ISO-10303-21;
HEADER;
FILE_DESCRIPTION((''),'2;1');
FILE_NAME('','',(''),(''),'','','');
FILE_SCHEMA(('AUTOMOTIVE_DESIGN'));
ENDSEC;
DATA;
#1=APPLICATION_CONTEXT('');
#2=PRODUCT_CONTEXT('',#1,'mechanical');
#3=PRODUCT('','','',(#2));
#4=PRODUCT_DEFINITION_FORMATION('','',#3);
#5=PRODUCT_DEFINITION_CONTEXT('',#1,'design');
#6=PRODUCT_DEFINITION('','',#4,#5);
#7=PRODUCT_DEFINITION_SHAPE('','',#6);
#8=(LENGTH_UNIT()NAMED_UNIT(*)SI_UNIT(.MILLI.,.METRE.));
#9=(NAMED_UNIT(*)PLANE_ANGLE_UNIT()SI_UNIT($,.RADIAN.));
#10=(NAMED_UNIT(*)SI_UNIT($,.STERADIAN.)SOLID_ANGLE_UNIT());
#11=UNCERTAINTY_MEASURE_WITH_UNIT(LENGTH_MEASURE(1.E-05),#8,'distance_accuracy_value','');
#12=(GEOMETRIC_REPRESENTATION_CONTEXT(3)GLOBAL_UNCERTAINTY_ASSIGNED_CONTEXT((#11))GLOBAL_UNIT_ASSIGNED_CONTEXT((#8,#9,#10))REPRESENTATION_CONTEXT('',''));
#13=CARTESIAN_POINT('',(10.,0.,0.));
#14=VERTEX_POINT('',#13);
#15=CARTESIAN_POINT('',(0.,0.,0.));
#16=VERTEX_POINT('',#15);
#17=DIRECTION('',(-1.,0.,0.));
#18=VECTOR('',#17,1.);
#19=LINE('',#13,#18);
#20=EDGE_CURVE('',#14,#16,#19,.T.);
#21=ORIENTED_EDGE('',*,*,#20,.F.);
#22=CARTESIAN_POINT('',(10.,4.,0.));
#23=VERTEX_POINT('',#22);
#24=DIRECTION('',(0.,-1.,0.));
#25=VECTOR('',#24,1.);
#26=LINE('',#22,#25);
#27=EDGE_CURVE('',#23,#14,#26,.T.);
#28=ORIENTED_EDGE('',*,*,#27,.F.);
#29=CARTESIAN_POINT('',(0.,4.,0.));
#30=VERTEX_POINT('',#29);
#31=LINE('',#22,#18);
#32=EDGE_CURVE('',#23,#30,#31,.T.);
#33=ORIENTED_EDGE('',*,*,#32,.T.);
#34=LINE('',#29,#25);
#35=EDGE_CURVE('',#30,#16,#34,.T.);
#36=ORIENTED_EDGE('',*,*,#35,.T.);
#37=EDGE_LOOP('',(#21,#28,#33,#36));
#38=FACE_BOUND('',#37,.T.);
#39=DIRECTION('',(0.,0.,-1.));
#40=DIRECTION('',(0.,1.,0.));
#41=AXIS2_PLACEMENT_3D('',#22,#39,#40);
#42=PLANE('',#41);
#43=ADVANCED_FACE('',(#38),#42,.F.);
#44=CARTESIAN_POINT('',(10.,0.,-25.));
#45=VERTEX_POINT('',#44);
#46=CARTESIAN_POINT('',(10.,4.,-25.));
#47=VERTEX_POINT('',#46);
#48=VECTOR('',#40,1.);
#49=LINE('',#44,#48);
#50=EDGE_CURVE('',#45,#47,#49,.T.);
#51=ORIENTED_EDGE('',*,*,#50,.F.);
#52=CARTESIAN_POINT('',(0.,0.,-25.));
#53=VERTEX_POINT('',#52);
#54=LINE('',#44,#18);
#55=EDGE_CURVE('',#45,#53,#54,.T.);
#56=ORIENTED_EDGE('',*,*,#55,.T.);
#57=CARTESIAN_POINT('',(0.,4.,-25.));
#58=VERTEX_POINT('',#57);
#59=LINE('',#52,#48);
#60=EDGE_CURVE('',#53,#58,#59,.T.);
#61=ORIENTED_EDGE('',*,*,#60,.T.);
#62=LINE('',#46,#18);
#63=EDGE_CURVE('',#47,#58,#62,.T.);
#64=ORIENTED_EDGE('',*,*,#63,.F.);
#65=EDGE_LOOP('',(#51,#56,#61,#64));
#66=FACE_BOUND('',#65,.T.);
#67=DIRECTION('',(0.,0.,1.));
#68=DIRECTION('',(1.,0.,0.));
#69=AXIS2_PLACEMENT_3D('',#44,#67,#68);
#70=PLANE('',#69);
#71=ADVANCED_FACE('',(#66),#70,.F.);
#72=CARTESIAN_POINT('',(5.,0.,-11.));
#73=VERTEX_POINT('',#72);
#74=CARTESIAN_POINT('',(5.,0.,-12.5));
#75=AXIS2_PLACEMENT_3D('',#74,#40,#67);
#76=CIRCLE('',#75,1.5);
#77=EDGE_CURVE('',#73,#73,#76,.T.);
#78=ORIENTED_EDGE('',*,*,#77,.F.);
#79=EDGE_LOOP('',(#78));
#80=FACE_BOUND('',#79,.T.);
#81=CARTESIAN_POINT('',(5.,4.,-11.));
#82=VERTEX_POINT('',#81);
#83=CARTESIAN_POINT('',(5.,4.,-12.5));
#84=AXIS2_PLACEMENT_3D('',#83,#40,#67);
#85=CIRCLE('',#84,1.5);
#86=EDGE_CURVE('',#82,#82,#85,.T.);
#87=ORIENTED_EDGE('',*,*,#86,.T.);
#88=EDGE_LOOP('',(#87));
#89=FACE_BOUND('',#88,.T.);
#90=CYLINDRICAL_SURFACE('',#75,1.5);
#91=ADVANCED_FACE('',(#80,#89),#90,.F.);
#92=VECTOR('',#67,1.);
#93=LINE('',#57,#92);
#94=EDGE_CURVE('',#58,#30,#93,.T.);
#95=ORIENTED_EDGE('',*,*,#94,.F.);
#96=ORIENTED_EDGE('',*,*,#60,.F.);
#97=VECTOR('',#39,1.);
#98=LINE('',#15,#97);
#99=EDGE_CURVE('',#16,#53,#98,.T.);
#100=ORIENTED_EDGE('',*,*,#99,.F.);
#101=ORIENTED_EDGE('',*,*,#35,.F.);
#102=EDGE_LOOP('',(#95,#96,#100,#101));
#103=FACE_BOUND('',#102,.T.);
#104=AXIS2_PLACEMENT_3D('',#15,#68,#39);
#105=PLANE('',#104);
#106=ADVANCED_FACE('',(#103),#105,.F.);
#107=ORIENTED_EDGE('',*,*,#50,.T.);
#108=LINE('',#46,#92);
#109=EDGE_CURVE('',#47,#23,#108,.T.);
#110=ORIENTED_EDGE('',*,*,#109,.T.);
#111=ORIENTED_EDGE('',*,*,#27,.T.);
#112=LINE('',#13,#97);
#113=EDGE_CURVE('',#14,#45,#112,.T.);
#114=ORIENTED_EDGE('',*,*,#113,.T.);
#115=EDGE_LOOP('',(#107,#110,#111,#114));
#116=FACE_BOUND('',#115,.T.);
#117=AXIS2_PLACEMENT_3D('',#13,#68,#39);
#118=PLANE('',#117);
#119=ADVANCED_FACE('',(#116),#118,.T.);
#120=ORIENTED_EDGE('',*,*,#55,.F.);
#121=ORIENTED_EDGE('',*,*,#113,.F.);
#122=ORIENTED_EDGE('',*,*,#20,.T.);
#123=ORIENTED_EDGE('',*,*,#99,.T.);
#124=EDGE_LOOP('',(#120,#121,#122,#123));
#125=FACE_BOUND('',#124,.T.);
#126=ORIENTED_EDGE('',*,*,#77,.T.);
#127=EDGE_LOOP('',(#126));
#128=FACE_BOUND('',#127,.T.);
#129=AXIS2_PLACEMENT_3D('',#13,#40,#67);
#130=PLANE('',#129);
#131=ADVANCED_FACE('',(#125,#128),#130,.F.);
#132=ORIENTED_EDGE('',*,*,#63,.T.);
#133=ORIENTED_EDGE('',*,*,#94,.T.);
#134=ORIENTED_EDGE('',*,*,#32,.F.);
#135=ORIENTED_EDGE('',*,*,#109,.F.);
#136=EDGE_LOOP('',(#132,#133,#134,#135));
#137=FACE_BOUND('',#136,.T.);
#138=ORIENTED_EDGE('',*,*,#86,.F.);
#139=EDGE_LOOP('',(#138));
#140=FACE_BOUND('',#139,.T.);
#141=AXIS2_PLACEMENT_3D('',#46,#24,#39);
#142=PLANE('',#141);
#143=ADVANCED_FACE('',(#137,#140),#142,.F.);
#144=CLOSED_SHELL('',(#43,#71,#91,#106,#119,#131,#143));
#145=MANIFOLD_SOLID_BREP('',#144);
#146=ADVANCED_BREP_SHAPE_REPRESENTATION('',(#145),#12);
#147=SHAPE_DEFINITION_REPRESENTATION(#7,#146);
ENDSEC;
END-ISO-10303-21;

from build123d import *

# Parameters (mm, degrees)
SKETCH2_W                    = 25
SKETCH2_H                    = 4
PROFILEBOSS_EXTRUDE1_DEPTH   = 10
MOUNTHOLESSKETCH5_R          = 1.5
MOUNTHOLESCUT_EXTRUDE2_DEPTH = 28.221315178


with BuildPart() as part:
    # Sketch2 → ProfileBoss-Extrude1 (new body)
    with BuildSketch(Plane(origin=(0, 0, 0), x_dir=(0, 0, -1), z_dir=(1, 0, 0))):
        with Locations((12.5, 2)):
            Rectangle(SKETCH2_W, SKETCH2_H)
    extrude(amount=PROFILEBOSS_EXTRUDE1_DEPTH)

    # MountHolesSketch5 → MountHolesCut-Extrude2 (cut, through all)
    with BuildSketch(Plane(origin=(0, 4, 0), x_dir=(1, 0, 0), z_dir=(0, 1, 0))):
        with Locations(Location((5, 12.5, 0), (0, 0, 270))):
            Circle(MOUNTHOLESSKETCH5_R)
    extrude(amount=-MOUNTHOLESCUT_EXTRUDE2_DEPTH, mode=Mode.SUBTRACT)


solid = part.part
